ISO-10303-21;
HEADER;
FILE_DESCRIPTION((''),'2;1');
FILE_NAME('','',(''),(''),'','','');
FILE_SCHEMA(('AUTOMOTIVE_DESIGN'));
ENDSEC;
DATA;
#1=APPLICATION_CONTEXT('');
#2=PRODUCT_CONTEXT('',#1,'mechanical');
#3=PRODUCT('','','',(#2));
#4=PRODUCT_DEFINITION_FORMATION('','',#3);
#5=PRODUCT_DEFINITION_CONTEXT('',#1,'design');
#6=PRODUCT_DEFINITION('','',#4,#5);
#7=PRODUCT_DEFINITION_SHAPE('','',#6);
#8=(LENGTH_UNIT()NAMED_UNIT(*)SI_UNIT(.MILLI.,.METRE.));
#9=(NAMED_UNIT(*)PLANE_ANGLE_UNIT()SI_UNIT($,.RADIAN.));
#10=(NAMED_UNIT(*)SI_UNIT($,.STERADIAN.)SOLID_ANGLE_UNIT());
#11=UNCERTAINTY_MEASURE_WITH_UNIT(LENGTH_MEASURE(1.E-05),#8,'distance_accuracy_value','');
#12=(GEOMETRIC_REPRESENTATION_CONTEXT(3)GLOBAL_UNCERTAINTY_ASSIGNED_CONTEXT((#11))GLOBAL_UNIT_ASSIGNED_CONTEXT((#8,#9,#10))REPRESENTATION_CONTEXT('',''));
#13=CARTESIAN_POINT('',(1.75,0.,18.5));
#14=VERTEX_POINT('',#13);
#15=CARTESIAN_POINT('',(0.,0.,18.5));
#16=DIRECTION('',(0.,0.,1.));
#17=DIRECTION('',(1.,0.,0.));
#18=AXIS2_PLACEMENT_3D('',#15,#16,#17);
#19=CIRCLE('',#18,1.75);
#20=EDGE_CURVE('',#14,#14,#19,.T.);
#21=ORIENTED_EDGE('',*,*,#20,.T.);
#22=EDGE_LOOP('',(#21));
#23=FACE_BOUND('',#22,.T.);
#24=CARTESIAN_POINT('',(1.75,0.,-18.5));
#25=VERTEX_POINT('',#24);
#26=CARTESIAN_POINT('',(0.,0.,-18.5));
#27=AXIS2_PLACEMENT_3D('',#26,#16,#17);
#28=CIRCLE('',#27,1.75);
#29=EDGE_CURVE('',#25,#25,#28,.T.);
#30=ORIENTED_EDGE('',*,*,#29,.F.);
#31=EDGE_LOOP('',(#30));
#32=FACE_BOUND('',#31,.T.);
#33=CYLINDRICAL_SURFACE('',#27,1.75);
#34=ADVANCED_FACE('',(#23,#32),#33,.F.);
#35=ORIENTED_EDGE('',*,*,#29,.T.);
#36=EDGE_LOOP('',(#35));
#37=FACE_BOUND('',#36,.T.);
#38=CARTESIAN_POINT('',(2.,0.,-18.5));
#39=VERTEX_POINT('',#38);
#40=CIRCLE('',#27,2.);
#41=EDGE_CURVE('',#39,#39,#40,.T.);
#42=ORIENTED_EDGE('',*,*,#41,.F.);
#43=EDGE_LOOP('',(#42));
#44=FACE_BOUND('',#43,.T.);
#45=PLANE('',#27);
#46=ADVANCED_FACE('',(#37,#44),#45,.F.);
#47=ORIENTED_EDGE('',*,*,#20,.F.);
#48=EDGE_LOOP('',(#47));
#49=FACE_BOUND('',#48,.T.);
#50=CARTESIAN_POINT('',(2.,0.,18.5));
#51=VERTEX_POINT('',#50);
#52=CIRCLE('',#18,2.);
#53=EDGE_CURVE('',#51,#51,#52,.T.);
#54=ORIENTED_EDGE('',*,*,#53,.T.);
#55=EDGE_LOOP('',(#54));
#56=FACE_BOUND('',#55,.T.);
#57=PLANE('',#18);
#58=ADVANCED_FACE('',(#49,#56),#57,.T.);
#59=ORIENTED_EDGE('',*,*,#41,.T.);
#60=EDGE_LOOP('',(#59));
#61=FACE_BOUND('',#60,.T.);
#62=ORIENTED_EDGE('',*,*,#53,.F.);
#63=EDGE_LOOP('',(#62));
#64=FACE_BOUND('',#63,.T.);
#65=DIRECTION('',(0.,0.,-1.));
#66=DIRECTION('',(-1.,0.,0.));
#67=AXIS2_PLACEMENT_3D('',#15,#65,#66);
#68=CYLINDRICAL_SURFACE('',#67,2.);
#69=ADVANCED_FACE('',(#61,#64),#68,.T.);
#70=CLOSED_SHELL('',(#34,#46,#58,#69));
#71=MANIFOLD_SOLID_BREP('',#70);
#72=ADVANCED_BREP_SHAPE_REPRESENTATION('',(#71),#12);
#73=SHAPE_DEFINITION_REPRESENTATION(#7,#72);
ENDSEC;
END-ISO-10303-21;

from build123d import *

# Parameters (mm, degrees)
SKETCH1_R           = 2
BOSS_EXTRUDE1_DEPTH = 18.5
SKETCH2_R           = 1.75
CUT_EXTRUDE1_DEPTH  = 38.107950631


with BuildPart() as part:
    # Sketch1 → Boss-Extrude1 (new, symmetric)
    with BuildSketch(Plane.XY):
        Circle(SKETCH1_R)
    extrude(amount=BOSS_EXTRUDE1_DEPTH, both=True)

    # Sketch2 → Cut-Extrude1 (cut, through all)
    with BuildSketch(Plane.XY.offset(18.5)):
        Circle(SKETCH2_R)
    extrude(amount=-CUT_EXTRUDE1_DEPTH, mode=Mode.SUBTRACT)


solid = part.part
